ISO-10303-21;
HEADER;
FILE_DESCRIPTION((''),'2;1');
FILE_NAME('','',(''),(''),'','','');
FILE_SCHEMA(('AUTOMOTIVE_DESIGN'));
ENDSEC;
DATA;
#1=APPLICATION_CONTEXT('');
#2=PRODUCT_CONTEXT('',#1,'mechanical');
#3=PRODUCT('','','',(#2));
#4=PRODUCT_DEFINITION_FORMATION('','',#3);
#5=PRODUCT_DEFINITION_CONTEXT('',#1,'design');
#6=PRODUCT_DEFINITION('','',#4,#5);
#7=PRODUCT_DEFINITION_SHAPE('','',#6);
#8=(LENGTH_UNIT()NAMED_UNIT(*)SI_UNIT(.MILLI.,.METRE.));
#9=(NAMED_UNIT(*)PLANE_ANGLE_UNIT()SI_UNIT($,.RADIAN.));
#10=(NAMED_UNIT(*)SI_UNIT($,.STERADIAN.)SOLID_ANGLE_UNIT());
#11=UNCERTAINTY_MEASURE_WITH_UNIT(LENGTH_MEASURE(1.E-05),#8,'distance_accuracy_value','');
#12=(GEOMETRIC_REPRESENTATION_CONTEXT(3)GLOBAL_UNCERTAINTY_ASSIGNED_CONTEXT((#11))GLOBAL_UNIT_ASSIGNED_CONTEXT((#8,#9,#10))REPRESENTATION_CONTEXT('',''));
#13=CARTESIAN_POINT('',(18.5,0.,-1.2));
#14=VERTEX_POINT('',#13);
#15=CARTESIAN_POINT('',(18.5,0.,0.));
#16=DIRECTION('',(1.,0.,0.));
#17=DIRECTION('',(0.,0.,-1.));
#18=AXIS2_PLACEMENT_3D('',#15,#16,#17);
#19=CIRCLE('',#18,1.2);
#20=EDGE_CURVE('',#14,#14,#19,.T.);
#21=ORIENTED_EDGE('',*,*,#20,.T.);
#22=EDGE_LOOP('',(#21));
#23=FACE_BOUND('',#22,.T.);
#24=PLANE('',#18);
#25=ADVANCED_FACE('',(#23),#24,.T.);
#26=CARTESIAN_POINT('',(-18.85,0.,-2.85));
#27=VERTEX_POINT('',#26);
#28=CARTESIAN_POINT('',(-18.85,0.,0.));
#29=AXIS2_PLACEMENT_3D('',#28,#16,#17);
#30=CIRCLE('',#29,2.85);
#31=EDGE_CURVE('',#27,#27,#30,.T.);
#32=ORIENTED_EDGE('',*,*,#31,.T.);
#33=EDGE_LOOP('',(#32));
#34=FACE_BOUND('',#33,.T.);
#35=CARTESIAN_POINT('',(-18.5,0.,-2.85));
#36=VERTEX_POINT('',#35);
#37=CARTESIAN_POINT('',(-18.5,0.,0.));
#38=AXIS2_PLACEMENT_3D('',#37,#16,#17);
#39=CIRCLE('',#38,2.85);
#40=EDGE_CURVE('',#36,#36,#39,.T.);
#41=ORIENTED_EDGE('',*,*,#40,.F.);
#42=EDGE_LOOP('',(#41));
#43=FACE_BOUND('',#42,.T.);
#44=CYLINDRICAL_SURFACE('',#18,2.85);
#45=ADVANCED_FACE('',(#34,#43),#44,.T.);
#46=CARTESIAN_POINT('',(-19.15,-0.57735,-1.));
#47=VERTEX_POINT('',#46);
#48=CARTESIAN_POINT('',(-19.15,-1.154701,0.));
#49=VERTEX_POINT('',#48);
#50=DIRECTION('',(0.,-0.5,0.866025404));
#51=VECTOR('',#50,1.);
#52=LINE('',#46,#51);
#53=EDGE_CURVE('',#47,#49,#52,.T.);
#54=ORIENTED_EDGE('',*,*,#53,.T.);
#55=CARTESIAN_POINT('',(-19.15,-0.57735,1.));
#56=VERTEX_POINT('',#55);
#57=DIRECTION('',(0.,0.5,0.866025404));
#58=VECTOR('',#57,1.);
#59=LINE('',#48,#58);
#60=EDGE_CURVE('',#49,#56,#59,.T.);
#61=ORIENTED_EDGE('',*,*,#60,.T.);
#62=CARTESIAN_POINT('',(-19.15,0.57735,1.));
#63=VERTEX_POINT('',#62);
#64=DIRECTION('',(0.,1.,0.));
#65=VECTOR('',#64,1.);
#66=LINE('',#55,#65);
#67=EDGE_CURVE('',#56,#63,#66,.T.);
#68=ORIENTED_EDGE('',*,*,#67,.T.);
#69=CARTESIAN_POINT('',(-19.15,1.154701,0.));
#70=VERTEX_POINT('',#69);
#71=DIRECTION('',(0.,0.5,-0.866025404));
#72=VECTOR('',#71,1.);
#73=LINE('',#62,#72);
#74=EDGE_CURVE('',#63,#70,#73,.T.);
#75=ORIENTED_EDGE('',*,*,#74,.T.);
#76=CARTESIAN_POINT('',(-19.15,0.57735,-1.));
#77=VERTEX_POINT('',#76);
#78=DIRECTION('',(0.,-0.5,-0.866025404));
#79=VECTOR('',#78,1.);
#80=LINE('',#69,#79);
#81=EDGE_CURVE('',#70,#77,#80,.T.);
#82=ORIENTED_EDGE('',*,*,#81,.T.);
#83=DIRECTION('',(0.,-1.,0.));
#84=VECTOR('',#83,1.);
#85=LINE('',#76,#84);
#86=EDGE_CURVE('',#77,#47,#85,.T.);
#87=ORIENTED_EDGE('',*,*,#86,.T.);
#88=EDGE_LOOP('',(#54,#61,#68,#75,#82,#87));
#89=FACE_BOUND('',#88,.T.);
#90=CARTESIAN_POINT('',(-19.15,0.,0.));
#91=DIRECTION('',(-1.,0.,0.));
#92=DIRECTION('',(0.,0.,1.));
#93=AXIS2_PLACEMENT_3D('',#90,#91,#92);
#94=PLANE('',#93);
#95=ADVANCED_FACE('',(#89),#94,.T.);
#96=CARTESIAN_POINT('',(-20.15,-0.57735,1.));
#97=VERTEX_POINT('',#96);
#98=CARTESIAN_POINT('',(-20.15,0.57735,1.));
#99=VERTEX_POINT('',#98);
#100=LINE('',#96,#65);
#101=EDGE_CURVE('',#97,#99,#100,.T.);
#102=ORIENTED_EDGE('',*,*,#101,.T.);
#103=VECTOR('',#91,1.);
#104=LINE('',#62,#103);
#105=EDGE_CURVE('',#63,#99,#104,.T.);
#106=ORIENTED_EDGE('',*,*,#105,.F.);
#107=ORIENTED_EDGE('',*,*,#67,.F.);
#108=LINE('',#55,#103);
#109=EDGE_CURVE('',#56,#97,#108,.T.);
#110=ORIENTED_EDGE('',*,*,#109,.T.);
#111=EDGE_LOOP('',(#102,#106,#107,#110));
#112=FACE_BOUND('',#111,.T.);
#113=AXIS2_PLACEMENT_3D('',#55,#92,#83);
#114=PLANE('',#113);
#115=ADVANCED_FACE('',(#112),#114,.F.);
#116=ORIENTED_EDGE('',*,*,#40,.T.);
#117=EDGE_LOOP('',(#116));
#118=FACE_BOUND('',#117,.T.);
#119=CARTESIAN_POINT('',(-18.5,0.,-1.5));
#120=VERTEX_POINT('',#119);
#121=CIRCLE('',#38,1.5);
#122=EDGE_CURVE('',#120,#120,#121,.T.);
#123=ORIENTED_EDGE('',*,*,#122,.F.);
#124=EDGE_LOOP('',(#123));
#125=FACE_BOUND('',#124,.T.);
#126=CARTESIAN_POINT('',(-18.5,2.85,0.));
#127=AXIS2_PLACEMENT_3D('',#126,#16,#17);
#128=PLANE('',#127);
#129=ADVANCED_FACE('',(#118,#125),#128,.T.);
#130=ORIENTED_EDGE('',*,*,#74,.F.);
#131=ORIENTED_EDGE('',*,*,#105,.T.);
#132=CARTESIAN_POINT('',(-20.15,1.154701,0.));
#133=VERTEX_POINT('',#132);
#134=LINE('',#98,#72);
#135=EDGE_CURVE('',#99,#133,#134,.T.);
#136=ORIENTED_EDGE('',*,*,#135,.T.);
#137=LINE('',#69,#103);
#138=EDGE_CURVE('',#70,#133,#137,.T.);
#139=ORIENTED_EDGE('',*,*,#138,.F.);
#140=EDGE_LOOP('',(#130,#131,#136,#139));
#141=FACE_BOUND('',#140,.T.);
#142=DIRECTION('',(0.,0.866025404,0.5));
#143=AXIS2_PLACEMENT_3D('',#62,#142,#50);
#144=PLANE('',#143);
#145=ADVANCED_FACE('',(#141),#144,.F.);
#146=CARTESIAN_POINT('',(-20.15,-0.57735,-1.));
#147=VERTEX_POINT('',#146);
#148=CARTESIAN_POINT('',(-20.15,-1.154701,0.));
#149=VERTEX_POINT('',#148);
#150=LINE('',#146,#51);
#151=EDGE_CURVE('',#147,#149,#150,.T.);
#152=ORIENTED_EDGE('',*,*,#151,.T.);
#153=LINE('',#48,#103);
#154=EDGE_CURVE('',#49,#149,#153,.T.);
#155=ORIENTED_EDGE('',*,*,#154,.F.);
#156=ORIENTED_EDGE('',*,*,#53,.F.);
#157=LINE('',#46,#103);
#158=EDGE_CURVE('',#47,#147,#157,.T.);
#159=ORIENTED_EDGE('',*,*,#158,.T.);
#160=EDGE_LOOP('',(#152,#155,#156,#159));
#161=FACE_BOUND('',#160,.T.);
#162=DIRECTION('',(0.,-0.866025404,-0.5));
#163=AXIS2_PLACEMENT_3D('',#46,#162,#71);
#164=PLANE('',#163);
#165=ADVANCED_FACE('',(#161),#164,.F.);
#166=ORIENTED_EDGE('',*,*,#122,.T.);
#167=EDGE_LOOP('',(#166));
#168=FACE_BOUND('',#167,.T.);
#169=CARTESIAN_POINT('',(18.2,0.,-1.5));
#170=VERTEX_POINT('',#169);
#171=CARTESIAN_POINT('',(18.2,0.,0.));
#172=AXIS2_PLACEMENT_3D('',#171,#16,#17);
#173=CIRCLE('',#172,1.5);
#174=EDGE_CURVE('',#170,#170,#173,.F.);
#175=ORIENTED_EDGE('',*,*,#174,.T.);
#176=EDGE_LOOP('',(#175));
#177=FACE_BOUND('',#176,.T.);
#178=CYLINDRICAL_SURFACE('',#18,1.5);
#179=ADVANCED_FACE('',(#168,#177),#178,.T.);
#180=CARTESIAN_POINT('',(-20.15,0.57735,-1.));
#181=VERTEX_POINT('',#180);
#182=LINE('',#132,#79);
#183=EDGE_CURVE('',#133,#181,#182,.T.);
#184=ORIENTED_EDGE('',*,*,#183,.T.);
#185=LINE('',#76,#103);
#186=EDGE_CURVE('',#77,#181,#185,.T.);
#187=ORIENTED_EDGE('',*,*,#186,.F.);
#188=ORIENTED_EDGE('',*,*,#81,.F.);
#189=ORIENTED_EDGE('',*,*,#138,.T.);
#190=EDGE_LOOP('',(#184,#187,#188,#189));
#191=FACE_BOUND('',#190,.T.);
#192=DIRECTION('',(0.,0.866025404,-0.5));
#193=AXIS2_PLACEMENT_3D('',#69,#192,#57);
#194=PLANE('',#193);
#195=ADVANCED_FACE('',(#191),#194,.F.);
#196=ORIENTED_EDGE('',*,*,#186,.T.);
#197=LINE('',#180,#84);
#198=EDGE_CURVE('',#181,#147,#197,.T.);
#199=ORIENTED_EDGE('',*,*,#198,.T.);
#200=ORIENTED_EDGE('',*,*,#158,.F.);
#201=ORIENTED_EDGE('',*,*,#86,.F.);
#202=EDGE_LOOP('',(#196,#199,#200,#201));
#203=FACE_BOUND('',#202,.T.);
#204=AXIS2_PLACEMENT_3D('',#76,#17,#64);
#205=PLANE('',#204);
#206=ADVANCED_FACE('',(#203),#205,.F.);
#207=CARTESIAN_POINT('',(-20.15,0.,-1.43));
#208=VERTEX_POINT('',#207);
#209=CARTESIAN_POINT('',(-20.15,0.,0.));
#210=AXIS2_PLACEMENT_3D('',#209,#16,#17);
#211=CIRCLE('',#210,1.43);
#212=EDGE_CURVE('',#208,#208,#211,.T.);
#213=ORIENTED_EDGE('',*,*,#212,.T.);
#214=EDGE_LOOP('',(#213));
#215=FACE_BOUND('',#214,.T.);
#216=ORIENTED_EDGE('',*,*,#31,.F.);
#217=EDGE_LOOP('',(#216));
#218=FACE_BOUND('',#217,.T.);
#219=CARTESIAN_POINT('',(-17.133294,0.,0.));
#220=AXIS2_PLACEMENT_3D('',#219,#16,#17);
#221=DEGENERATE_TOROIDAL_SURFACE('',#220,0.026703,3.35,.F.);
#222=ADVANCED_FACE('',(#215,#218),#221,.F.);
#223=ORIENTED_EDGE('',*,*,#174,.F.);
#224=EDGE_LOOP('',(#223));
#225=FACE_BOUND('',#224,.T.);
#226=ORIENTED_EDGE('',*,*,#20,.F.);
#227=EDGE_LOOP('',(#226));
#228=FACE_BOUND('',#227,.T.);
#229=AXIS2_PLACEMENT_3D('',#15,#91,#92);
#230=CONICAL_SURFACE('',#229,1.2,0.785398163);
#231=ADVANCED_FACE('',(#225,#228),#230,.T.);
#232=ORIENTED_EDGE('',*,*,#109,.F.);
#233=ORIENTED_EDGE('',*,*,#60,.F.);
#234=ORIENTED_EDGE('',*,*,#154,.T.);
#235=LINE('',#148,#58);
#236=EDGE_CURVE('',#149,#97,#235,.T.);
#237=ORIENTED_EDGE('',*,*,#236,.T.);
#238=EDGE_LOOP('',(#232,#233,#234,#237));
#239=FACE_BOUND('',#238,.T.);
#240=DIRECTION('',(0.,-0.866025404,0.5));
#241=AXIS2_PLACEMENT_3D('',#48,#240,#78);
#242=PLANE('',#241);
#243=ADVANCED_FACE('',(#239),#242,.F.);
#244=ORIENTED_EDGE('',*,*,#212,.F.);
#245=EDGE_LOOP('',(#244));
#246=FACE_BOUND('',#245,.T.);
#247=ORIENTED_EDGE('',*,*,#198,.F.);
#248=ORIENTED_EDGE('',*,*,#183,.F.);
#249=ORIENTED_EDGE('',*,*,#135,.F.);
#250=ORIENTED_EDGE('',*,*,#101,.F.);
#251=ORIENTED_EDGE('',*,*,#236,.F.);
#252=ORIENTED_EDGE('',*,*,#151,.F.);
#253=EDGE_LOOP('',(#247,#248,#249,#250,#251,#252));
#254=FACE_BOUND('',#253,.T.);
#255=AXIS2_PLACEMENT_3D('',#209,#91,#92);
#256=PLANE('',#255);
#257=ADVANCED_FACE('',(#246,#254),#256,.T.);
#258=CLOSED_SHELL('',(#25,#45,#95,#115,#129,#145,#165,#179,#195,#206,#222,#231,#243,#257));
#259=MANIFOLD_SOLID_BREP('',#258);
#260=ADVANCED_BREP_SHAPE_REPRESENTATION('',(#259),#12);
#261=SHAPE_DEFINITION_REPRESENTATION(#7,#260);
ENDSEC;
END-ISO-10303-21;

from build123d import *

# Parameters (mm, degrees)
CHAMFER1_SIZE      = 0.3
CUT_EXTRUDE1_DEPTH = 1


with BuildPart() as part:
    # Sketch2 → Revolve2 (revolve)
    with BuildSketch(Plane.XY, mode=Mode.PRIVATE) as revolve2_sk:
        with BuildLine():
            Line((18.5, 0), (-18.5, 0))
            Line((-18.5, 0), (-20.15, 0))
            Line((-20.15, 0), (-20.15, 1.43))
            ThreePointArc((-20.15, 1.43), (-19.604204204, 2.235398215), (-18.85, 2.85))
            Line((-18.85, 2.85), (-18.5, 2.85))
            Line((-18.5, 2.85), (-18.5, 1.5))
            Line((-18.5, 1.5), (18.5, 1.5))
            Line((18.5, 1.5), (18.5, 0))
        make_face()
    revolve(revolve2_sk.sketch.rotate(Axis((18.5, 0, 0), (-1, 0, 0)), 90), axis=Axis((18.5, 0, 0), (-1, 0, 0)))

    # Chamfer1
    chamfer1_edges = [part.edges().sort_by_distance(p)[0] for p in [
        (18.5, 0, 1.5),
    ]]
    chamfer(chamfer1_edges, length=CHAMFER1_SIZE)

    # Sketch3 → Cut-Extrude1 (cut)
    with BuildSketch(Plane.ZY.offset(20.15)):
        Polygon((-1, 0.577350269), (-1, -0.577350269), (0, -1.154700538), (1, -0.577350269), (1, 0.577350269), (0, 1.154700538), align=None)
    extrude(amount=-CUT_EXTRUDE1_DEPTH, mode=Mode.SUBTRACT)


solid = part.part
